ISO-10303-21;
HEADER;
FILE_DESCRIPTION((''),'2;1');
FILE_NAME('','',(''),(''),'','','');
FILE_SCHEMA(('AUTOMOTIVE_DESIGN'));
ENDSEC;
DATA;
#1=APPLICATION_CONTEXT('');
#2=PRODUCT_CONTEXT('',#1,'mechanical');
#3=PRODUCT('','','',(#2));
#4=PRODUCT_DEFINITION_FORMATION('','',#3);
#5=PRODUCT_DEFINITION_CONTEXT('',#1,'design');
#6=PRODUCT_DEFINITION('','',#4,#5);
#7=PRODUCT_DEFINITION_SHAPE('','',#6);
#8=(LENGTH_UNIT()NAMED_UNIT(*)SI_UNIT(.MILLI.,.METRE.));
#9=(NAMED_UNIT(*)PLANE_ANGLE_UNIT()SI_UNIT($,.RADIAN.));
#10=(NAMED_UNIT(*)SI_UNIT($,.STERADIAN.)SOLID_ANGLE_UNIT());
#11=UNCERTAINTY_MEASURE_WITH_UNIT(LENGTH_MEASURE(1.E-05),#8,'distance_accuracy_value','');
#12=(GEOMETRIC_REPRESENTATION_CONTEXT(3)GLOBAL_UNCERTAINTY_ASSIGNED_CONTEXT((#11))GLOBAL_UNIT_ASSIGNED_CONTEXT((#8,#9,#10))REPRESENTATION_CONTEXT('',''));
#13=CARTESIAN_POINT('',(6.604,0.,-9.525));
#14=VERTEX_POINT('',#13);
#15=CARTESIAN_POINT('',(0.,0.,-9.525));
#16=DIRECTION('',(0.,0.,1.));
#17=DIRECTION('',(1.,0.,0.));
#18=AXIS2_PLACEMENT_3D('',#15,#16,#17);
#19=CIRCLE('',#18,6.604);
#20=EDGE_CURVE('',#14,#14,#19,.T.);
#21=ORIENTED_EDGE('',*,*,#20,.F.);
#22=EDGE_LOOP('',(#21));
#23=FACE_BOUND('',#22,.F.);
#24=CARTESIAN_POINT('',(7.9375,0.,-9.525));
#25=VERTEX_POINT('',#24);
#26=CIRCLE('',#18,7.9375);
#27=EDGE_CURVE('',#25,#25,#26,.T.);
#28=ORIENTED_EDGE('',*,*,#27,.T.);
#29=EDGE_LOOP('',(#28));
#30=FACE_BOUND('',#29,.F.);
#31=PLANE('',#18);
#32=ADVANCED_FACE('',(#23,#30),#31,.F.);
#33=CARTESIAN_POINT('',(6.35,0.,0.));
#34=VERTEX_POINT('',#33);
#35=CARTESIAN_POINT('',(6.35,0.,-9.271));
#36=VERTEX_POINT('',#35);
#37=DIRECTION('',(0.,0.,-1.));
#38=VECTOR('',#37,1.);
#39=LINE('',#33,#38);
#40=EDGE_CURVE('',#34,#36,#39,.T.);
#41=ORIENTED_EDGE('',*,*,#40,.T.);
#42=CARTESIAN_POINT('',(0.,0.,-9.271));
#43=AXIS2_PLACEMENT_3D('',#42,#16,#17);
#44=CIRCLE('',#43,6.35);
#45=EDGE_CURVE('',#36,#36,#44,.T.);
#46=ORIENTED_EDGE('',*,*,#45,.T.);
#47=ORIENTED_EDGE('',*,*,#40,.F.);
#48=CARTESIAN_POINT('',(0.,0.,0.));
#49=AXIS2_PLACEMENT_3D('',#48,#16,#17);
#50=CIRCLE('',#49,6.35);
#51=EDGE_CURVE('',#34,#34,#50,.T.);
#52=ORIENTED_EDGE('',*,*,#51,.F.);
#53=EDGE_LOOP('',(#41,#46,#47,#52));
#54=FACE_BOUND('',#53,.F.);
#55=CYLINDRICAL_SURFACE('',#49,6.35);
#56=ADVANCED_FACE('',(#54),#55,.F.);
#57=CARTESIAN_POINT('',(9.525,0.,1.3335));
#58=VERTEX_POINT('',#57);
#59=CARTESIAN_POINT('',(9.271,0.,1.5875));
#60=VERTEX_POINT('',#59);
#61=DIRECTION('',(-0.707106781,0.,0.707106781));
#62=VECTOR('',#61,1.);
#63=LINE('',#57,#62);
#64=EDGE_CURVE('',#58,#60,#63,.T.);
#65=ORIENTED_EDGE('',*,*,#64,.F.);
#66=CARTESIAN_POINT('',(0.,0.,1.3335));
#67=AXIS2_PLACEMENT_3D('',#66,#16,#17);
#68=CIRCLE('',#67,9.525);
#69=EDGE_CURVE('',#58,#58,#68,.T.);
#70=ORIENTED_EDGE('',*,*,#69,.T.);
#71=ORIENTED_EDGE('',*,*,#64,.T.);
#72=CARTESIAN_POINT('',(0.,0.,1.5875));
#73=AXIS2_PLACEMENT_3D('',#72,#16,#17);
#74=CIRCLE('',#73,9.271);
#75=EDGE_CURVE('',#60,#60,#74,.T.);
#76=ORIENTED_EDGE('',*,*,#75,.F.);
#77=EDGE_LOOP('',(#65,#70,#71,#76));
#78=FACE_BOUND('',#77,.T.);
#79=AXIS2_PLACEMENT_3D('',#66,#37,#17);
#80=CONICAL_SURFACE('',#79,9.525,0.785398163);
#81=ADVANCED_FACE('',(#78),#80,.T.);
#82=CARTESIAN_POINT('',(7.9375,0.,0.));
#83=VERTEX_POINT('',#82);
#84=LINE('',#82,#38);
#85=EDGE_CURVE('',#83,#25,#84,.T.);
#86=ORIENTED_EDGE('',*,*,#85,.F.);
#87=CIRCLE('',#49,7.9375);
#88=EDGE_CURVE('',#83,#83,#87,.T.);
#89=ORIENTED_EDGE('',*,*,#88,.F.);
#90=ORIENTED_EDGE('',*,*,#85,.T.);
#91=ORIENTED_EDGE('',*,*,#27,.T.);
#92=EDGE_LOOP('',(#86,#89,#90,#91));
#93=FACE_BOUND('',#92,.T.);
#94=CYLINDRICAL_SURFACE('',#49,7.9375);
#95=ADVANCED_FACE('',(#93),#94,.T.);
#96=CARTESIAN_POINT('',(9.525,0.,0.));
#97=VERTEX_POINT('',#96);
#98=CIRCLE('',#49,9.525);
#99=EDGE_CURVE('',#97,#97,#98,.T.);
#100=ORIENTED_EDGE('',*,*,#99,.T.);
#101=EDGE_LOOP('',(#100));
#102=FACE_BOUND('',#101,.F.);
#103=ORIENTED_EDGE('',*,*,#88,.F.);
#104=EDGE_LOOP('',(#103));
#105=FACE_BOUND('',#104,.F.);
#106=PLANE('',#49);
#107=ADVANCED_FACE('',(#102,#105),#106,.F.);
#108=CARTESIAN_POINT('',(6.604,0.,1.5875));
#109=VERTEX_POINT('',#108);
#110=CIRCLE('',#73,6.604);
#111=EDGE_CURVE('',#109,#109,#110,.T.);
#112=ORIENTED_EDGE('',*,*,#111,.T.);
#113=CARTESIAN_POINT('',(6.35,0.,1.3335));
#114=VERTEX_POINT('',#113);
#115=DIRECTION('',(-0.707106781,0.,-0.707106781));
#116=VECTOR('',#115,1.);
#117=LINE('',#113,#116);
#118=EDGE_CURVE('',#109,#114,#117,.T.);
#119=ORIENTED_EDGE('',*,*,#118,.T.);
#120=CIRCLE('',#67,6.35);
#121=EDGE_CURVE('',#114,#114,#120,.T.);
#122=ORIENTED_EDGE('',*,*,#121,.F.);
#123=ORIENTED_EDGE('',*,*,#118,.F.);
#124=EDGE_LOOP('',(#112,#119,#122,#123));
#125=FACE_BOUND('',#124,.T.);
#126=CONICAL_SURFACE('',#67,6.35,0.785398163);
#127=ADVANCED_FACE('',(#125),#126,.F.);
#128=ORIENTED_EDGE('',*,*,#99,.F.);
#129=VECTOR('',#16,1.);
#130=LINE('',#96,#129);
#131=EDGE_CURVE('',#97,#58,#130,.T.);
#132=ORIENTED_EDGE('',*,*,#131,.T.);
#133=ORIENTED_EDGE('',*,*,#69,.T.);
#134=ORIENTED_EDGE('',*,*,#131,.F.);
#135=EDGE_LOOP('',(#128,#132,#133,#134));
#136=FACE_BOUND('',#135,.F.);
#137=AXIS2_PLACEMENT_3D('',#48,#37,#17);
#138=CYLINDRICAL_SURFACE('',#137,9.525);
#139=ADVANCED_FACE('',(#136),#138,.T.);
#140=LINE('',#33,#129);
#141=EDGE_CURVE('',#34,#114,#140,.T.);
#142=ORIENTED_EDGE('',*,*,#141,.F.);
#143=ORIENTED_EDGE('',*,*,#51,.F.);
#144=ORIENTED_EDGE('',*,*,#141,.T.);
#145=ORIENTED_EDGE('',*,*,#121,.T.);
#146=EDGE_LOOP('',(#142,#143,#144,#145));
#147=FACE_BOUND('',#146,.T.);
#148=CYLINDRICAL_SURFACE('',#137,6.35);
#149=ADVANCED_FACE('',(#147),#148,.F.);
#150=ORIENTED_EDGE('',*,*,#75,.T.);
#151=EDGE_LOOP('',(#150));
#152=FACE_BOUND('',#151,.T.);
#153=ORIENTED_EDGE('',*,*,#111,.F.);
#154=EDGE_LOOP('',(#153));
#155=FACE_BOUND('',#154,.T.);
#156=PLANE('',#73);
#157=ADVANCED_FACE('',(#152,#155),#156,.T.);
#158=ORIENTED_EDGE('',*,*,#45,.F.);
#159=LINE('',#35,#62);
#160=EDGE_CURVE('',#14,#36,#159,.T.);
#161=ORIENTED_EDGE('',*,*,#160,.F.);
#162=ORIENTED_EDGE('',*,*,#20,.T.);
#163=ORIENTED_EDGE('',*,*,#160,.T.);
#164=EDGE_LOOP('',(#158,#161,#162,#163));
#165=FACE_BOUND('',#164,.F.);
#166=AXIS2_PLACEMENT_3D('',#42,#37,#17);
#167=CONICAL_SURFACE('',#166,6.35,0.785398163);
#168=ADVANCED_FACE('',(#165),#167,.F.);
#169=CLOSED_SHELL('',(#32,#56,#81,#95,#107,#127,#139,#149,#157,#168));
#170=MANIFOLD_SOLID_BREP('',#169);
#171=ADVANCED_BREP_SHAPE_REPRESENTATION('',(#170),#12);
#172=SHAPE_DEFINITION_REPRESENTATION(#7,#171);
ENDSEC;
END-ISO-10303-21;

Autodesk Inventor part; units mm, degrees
ref_plane "YZ Plane" through (0, 0, 0) normal (1, 0, 0) x (0, 1, 0)
ref_plane "XZ Plane" through (0, 0, 0) normal (0, 1, 0) x (-1, 0, 0)
ref_plane "XY Plane" through (0, 0, 0) normal (0, 0, 1) x (1, 0, 0)
sketch "Sketch1" plane through (0, 0, 0) normal (0, 0, 1) x (1, 0, 0)
  circle A0 centre (0, 0) radius 6.35
  circle A1 centre (0, 0) radius 7.9375
  circle A2 centre (0, 0) radius 9.525
  dimension "d0" = 12.7
  dimension "d1" = 15.875
  dimension "d2" = 19.05
extrude "Extrusion1" add sketch "Sketch1" against normal blind 9.525 contours A1
extrude "Extrusion2" add sketch "Sketch1" along normal blind 1.5875 contours A1 | A2
chamfer "Chamfer1" distance 0.254 angle 45 3 edges at (-9.525, 0, 1.5875) (-6.35, 0, 1.5875) (-6.35, 0, -9.525)
properties part number "Chassis_Washer_AndyMark_am-0947" material "Nylon-6/6"
